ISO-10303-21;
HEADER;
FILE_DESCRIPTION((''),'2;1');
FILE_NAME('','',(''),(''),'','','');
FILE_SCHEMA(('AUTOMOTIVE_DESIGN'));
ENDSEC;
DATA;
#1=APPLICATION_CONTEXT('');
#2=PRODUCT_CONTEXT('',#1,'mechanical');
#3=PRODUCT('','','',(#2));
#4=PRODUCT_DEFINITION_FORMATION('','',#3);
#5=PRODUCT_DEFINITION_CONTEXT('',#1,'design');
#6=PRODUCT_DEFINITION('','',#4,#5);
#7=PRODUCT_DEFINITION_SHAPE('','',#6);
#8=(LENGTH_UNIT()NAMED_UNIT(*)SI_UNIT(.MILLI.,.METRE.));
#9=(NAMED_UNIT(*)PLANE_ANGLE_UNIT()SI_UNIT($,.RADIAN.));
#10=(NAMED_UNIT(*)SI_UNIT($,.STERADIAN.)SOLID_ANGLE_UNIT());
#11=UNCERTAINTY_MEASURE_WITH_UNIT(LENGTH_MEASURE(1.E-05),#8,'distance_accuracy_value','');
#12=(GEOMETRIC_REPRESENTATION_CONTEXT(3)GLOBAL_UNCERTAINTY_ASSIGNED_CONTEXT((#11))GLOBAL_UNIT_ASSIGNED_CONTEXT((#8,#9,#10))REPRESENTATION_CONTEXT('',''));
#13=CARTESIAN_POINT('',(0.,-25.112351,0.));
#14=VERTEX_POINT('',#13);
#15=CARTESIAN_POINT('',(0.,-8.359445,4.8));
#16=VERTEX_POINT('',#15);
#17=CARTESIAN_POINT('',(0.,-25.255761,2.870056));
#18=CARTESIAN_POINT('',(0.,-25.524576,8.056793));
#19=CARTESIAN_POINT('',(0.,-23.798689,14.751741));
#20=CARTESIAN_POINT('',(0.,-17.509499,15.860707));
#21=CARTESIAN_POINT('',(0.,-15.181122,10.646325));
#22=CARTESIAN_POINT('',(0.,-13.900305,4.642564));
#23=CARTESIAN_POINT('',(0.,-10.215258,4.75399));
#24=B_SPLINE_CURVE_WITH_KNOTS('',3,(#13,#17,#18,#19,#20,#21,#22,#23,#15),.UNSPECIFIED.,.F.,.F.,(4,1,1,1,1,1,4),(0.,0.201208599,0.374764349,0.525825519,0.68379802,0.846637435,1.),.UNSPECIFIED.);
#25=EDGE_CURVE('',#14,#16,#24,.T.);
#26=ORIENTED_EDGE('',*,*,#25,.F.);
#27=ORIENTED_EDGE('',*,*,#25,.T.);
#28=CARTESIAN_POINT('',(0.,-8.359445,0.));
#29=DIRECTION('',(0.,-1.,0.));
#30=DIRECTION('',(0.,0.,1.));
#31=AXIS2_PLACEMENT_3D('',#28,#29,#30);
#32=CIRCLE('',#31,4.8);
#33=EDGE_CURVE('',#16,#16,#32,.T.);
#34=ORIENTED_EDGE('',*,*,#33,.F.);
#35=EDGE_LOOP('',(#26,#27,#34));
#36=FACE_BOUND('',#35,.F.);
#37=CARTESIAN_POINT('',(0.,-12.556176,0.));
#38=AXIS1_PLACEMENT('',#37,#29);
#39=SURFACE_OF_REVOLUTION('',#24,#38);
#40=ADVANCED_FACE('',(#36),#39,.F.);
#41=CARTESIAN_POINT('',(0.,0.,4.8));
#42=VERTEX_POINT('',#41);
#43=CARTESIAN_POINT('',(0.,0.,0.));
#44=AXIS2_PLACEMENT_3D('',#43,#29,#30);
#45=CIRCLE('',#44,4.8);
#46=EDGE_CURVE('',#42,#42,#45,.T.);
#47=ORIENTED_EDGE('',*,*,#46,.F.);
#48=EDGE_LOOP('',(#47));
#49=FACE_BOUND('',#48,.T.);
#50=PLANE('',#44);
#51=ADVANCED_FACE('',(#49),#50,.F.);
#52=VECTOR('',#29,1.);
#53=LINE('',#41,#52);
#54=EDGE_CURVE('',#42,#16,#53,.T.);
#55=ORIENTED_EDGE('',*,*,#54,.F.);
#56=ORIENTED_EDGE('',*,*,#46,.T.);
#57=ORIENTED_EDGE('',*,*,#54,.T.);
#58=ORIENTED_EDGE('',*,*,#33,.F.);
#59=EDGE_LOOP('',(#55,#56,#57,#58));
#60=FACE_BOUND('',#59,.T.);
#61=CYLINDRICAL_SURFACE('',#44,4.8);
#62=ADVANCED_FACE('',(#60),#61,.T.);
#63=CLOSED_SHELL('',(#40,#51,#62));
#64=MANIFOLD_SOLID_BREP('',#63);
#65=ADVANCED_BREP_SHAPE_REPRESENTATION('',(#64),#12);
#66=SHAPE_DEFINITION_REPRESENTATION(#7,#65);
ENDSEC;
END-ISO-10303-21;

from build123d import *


with BuildPart() as f1:
    # F0 (on Right) → F1 (revolve)
    with BuildSketch(Plane.YZ):
        with BuildLine():
            Line((-25.1123512692, 0), (0, 0))
            Line((0, 0), (0, 4.8))
            Line((0, 4.8), (-8.3594453112, 4.8))
            add(Edge.make_bspline(
                [(-25.1123512692, 0), (-25.2557607242, 2.8700559409), (-25.524576334, 8.0567934416), (-23.7986894086, 14.751740831), (-17.5094993602, 15.8607069563), (-15.1811221137, 10.6463252787), (-13.900304828, 4.6425635021), (-10.2152584931, 4.7539901992), (-8.3594453112, 4.8)],
                knots=[0, 0, 0, 0, 0.2012085991, 0.374764349, 0.5258255185, 0.6837980197, 0.8466374353, 1, 1, 1, 1], degree=3))
        make_face()
    revolve(axis=Axis((0, -12.5561756346, 0), (0, -1, 0)))


solid = f1.part
